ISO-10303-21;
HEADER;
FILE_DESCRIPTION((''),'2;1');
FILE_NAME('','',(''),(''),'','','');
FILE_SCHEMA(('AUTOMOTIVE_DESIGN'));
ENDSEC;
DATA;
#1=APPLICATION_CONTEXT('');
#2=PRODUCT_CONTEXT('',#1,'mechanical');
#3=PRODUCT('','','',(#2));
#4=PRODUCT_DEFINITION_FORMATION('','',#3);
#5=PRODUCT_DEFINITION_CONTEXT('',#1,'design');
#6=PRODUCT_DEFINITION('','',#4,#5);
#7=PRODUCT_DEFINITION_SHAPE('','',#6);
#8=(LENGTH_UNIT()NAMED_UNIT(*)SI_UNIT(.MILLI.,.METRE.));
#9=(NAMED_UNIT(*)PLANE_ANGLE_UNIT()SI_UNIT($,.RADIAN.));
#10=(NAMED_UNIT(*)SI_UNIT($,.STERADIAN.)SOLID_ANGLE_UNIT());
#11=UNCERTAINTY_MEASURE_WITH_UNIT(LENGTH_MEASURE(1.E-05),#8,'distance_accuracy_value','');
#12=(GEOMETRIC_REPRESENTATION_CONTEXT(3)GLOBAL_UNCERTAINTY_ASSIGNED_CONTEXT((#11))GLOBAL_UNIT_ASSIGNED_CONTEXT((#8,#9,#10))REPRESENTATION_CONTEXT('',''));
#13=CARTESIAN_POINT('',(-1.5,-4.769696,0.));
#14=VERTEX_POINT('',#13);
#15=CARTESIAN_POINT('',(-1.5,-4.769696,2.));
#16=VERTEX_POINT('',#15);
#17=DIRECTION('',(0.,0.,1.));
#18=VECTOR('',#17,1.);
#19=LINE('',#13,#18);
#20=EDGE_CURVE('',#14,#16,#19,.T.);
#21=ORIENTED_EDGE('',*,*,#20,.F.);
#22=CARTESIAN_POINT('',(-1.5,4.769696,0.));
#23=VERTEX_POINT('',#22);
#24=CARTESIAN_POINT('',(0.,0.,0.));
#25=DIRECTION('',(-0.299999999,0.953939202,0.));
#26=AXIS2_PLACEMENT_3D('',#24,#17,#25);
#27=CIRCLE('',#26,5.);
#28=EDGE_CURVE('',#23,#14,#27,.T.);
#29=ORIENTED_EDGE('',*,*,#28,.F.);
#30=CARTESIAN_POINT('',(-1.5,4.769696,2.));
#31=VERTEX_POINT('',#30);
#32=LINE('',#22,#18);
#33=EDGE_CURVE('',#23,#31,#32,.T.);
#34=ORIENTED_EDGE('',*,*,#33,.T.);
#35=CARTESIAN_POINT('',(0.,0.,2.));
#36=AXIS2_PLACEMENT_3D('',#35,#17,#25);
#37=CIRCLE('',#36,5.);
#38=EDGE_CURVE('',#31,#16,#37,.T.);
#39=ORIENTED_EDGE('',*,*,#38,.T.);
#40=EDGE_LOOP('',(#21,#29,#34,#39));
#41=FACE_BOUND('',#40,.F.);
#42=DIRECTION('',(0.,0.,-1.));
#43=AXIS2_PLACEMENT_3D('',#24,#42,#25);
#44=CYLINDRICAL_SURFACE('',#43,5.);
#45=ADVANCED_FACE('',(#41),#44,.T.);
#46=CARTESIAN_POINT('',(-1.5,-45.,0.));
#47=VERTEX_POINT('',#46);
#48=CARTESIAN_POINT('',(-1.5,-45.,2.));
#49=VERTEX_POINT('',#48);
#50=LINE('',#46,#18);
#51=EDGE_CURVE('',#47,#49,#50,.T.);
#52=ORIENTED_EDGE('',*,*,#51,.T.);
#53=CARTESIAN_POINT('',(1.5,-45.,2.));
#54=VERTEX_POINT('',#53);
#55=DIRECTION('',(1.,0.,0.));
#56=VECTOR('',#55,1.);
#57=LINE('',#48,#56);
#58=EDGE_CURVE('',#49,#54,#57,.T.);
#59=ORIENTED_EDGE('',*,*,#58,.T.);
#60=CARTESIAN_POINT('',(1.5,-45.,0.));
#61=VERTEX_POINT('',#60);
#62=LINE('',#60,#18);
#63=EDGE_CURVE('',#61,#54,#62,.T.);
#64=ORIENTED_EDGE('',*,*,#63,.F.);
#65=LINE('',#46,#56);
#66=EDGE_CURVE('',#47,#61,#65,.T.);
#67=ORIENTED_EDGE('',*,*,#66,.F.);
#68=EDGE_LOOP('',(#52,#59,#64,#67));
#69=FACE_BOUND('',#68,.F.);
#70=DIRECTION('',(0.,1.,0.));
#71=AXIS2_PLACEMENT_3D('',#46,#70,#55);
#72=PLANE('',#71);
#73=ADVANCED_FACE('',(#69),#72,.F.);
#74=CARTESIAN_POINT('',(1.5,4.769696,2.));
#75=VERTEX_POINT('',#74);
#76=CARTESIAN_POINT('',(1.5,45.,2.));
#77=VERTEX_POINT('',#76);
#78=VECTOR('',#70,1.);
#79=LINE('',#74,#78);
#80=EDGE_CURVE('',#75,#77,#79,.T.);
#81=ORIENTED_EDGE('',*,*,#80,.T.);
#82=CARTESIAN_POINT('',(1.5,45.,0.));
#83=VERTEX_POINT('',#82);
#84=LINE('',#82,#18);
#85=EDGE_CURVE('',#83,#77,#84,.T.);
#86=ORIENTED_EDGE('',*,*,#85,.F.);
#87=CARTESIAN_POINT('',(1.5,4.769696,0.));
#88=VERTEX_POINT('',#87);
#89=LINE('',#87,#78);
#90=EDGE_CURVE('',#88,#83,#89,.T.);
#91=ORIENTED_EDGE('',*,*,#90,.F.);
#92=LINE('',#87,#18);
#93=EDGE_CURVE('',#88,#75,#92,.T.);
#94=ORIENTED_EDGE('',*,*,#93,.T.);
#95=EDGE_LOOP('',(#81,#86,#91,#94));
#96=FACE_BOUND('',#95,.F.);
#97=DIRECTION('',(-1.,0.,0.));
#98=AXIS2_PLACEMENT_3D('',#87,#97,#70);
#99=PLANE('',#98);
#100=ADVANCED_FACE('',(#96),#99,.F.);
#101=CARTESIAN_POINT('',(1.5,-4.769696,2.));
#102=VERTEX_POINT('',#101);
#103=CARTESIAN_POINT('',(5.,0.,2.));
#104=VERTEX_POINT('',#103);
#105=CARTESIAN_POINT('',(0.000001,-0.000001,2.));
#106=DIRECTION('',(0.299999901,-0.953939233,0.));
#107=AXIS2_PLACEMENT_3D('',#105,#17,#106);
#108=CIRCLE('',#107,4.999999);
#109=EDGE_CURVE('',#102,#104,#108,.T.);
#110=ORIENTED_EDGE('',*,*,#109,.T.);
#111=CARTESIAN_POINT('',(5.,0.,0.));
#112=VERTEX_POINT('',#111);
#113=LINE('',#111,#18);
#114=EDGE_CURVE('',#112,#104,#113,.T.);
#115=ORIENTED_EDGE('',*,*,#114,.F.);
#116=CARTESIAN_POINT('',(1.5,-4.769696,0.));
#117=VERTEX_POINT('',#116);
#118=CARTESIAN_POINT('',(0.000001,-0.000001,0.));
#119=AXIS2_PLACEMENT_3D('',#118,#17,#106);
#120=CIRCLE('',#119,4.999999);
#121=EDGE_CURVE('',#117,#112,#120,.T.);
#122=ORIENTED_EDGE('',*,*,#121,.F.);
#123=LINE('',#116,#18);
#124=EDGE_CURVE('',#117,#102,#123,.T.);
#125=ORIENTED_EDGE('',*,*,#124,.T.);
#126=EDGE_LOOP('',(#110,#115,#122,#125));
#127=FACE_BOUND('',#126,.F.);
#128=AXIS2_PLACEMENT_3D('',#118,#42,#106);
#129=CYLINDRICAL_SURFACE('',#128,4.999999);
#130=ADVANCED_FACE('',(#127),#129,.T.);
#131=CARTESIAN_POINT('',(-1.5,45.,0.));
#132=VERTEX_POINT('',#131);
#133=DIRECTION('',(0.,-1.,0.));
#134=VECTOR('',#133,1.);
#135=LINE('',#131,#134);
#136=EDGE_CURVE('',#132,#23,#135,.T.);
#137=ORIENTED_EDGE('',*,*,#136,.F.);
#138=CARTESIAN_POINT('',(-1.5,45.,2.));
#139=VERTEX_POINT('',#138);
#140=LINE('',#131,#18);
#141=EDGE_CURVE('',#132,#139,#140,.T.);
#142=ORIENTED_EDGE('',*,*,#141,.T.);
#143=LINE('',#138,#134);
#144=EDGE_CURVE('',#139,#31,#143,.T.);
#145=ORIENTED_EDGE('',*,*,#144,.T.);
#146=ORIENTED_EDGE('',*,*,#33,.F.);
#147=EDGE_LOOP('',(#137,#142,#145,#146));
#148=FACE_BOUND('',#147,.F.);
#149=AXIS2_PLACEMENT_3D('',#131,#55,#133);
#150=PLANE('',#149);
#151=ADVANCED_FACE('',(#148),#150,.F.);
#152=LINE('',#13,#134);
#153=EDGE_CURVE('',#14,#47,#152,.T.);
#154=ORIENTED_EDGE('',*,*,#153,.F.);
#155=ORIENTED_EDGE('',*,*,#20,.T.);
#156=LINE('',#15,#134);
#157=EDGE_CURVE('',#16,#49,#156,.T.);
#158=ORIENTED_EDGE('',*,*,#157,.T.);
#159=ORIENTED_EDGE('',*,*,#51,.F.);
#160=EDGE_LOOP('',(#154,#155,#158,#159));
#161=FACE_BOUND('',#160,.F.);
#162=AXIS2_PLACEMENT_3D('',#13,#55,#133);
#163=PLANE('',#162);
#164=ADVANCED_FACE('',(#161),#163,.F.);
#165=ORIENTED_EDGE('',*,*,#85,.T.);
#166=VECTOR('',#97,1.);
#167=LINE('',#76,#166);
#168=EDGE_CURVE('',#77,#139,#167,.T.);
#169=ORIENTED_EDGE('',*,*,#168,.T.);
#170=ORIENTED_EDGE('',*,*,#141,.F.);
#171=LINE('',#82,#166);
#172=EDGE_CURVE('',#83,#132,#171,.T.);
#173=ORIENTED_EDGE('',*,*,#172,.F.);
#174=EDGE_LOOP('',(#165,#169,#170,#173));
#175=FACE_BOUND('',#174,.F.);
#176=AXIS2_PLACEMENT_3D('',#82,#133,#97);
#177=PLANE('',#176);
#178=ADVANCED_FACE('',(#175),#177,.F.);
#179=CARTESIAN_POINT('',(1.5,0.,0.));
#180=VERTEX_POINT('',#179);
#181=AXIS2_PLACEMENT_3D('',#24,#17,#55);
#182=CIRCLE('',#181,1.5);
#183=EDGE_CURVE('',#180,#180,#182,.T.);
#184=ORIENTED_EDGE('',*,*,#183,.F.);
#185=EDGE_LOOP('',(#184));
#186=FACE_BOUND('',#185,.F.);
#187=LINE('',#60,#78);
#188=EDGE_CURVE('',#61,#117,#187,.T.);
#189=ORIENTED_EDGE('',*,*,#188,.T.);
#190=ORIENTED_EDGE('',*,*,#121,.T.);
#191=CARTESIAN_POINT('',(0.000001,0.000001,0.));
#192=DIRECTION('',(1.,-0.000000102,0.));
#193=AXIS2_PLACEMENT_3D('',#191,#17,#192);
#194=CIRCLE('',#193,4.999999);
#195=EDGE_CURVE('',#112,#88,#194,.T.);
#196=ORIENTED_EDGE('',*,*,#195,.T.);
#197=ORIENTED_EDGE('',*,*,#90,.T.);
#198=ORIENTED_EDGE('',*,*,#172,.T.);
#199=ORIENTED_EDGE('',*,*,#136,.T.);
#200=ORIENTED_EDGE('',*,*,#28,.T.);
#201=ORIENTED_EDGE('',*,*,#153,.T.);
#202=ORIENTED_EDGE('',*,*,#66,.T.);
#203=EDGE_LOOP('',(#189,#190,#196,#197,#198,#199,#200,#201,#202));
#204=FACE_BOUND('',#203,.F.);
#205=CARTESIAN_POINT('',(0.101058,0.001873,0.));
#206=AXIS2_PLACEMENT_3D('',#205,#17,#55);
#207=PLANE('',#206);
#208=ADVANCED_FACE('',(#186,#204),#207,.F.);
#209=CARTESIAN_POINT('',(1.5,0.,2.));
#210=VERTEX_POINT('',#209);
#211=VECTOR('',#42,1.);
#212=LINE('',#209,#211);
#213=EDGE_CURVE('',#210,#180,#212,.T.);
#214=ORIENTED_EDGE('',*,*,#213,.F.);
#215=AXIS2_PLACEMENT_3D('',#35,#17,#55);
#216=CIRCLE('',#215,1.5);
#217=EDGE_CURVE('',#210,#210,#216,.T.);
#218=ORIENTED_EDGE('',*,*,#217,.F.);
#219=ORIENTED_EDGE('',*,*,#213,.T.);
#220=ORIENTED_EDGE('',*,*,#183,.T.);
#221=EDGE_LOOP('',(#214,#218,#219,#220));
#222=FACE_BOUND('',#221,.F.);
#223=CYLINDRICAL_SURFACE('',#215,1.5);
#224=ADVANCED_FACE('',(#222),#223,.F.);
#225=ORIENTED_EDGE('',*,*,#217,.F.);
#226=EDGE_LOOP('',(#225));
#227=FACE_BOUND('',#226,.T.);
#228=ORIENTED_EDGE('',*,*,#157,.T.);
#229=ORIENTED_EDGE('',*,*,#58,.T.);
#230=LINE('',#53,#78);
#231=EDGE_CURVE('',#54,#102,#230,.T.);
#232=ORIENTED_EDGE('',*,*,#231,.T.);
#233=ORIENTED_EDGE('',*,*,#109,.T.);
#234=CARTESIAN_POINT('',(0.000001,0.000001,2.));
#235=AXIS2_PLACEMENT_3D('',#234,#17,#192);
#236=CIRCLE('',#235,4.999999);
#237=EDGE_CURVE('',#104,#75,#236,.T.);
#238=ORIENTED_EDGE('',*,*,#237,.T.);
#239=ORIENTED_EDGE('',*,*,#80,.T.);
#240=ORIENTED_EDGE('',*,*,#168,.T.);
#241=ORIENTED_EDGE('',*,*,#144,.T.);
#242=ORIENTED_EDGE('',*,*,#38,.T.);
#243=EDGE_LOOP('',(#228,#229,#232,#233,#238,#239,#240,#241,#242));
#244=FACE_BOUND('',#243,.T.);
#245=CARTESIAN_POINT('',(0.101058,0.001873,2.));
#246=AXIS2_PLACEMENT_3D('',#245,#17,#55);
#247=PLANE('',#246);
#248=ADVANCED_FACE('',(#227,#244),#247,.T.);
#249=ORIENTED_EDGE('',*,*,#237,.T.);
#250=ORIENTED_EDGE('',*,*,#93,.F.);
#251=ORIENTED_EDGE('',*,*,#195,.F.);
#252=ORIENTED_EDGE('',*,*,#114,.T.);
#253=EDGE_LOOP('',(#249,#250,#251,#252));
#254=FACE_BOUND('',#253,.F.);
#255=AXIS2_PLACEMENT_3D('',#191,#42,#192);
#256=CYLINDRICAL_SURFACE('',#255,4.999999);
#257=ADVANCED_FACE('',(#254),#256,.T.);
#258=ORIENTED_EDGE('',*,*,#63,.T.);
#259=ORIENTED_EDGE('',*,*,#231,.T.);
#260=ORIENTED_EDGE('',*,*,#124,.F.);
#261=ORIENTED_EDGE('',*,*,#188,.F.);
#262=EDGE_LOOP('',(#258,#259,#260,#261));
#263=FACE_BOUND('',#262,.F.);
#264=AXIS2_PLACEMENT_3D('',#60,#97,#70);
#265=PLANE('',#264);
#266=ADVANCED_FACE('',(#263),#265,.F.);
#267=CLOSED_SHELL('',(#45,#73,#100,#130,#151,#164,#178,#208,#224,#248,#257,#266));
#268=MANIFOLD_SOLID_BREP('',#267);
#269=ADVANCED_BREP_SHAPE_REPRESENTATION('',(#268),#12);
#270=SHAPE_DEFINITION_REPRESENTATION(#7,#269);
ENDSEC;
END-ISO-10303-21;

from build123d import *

# Parameters (mm, degrees)
F1_DEPTH = 2
F2_R     = 1.5
F3_DEPTH = 25


with BuildPart() as f1:
    # F0 (on Top) → F1 (new body)
    with BuildSketch(Plane.XY):
        with BuildLine():
            ThreePointArc((1.5, -4.769696), (4.031129, -2.95804), (5, 0))
            ThreePointArc((5, 0), (4.031129, 2.95804), (1.5, 4.769696))
            ThreePointArc((1.5, 4.769696), (0.758788, 4.942089), (0, 5))
            ThreePointArc((0, 5), (-0.758788, 4.942089), (-1.5, 4.769696))
            ThreePointArc((-1.5, 4.769696), (-5, 0), (-1.5, -4.769696))
            ThreePointArc((-1.5, -4.769696), (0, -5), (1.5, -4.769696))
        make_face()
        with BuildLine():
            ThreePointArc((0, 5), (0.758788, 4.942089), (1.5, 4.769696))
            Line((1.5, 4.769696), (1.5, 45))
            Line((1.5, 45), (0, 45))
            Line((0, 45), (0, 5))
        make_face()
        with BuildLine():
            Line((1.5, -45), (1.5, -4.769696))
            ThreePointArc((1.5, -4.769696), (0, -5), (-1.5, -4.769696))
            Line((-1.5, -4.769696), (-1.5, -45))
            Line((-1.5, -45), (0, -45))
            Line((0, -45), (1.5, -45))
        make_face()
        with BuildLine():
            ThreePointArc((-1.5, 4.769696), (-0.758788, 4.942089), (0, 5))
            Line((0, 5), (0, 45))
            Line((0, 45), (-1.5, 45))
            Line((-1.5, 45), (-1.5, 4.769696))
        make_face()
    extrude(amount=F1_DEPTH)

    # F2 (on face) → F3 (cut)
    with BuildSketch(Plane.XY.offset(2)):
        Circle(F2_R)
    extrude(amount=-F3_DEPTH, mode=Mode.SUBTRACT)


solid = f1.part
